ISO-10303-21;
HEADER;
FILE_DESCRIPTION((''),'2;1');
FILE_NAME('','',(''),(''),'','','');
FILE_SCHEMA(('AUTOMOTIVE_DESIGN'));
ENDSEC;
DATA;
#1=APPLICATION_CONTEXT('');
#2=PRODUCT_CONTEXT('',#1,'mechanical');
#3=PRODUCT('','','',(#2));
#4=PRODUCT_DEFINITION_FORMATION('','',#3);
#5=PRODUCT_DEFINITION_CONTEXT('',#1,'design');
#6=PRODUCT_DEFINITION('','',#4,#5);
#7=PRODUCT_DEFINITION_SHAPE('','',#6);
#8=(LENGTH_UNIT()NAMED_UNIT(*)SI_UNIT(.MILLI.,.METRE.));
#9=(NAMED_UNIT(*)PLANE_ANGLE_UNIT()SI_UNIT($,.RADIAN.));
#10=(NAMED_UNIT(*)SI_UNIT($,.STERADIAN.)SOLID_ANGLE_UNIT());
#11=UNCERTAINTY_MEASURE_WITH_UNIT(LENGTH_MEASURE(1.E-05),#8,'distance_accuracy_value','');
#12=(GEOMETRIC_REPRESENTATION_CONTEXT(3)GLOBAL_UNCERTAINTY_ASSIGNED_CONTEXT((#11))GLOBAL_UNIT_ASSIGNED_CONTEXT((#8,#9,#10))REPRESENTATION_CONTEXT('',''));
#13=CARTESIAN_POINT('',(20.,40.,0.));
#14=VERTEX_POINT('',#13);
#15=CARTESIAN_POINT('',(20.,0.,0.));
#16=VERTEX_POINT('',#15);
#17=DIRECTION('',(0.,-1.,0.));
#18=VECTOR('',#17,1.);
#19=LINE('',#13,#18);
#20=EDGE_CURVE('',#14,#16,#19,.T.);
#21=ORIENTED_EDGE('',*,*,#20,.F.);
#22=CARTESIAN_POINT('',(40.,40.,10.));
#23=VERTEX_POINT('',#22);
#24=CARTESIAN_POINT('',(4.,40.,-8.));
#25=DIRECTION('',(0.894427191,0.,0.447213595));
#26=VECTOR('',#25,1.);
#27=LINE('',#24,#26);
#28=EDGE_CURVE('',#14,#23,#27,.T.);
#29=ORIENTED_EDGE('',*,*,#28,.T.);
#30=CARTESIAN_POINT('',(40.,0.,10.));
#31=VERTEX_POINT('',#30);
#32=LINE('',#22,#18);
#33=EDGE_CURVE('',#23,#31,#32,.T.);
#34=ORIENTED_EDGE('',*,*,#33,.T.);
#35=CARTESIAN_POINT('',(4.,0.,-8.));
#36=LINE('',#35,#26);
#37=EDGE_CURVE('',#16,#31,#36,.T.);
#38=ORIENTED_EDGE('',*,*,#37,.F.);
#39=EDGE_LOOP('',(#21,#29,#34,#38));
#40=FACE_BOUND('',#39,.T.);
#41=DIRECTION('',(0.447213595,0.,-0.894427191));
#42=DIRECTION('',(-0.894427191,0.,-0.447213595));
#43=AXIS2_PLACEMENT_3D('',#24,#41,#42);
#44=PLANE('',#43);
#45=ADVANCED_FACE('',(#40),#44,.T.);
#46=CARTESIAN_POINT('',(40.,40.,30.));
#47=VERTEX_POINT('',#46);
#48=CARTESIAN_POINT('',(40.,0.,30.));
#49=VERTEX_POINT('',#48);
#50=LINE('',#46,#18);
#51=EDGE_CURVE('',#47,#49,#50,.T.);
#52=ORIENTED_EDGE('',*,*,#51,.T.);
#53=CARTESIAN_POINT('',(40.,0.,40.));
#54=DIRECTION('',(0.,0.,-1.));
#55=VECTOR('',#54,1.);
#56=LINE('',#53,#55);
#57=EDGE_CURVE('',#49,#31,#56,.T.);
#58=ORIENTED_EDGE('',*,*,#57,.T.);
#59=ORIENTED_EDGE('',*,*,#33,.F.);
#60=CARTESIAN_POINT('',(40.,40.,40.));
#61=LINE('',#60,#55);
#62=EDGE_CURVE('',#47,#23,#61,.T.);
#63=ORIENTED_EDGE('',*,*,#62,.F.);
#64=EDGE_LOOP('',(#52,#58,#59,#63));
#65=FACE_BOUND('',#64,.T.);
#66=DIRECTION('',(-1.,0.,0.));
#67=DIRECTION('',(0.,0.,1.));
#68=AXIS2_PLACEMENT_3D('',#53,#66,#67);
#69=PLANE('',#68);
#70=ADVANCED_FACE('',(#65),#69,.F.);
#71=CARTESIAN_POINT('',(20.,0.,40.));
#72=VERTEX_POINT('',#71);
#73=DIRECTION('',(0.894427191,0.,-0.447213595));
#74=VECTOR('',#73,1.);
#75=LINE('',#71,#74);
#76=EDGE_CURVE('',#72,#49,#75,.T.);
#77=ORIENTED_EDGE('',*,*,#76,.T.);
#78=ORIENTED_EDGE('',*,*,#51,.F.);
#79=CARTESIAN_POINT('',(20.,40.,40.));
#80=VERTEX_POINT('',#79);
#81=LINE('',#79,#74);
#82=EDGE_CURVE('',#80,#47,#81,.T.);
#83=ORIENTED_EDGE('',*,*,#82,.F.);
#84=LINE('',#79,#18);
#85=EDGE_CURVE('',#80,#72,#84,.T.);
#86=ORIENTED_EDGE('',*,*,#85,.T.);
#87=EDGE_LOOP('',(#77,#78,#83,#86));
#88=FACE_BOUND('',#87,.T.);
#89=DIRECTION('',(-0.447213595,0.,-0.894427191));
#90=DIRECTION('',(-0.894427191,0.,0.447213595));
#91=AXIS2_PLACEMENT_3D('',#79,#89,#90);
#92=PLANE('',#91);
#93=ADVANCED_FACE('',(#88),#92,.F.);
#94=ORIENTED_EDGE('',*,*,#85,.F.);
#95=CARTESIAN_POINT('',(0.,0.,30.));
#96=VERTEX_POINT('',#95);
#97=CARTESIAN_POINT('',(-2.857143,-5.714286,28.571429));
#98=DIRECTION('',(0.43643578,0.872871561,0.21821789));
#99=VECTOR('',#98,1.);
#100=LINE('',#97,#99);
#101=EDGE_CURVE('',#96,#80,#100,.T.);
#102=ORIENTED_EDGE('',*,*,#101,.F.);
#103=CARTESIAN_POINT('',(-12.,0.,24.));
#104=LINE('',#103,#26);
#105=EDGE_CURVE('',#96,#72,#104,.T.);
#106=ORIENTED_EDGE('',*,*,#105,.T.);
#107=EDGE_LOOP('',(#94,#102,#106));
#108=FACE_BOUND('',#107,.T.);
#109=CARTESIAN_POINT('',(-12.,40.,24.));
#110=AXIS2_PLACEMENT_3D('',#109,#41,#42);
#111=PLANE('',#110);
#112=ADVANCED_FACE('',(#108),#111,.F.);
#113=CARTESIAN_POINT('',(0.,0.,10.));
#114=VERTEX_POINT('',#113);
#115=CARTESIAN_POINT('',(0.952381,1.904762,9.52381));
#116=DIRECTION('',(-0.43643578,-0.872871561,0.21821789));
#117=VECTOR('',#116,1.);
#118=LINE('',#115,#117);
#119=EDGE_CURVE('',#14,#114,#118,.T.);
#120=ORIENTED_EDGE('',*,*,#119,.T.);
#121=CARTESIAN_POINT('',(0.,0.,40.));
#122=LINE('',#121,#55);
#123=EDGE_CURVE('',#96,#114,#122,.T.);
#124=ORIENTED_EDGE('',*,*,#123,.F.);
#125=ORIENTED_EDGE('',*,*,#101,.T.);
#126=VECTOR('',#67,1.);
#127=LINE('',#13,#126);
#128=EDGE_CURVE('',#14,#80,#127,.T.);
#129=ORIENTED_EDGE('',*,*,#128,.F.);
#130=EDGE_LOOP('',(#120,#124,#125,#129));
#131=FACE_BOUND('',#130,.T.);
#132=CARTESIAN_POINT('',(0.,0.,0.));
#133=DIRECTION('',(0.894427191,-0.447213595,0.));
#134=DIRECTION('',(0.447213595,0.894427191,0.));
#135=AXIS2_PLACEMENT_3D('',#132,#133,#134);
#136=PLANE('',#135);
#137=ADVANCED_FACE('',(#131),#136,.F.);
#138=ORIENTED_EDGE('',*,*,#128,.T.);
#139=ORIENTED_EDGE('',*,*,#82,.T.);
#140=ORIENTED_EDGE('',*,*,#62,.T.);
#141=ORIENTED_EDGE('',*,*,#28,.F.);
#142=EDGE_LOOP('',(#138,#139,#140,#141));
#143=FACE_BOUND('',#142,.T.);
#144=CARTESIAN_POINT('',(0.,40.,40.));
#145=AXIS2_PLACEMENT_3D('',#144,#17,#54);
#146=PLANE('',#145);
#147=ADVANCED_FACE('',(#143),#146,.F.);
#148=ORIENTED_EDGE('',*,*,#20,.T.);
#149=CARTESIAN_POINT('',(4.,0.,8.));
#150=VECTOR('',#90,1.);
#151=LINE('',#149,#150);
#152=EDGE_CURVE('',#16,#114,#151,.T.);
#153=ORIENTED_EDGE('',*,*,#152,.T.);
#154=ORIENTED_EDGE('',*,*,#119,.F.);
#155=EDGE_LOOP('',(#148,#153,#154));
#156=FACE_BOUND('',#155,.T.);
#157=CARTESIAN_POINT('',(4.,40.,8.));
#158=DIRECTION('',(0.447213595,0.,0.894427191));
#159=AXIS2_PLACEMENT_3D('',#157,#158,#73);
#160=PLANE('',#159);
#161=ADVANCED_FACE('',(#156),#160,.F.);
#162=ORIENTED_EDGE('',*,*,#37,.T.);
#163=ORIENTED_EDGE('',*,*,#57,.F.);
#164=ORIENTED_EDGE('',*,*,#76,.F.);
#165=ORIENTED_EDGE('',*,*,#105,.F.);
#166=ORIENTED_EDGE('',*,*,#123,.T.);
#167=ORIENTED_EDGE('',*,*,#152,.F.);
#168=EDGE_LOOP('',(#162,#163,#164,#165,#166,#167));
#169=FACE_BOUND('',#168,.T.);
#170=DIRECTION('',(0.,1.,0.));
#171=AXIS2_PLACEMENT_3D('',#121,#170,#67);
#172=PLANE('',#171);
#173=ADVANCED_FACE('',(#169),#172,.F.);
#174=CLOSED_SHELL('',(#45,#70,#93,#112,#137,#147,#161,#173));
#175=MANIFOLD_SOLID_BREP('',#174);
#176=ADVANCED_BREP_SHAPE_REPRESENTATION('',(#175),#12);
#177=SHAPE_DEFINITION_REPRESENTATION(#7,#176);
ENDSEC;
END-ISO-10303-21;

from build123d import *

# Parameters (mm, degrees)
SKETCH1_W           = 40
SKETCH1_H           = 40
BOSS_EXTRUDE1_DEPTH = 40
CUT_EXTRUDE1_DEPTH  = 40
CUT_EXTRUDE2_DEPTH  = 40


with BuildPart() as part:
    # Sketch1 → Boss-Extrude1 (new body)
    with BuildSketch(Plane.XY):
        with Locations((20, 20)):
            Rectangle(SKETCH1_W, SKETCH1_H)
    extrude(amount=BOSS_EXTRUDE1_DEPTH)

    # Sketch2 → Cut-Extrude1 (cut)
    with BuildSketch(Plane.XY.offset(40)):
        Polygon((0, 0), (20, 40), (0, 40), align=None)
    extrude(amount=-CUT_EXTRUDE1_DEPTH, mode=Mode.SUBTRACT)

    # Sketch3 → Cut-Extrude2 (cut)
    with BuildSketch(Plane.XZ):
        Polygon((0, 40), (0, 30), (20, 40), align=None)
        Polygon((0, 0), (20, 0), (0, 10), align=None)
        Polygon((20, 40), (40, 30), (40, 40), align=None)
        Polygon((40, 10), (20, 0), (40, 0), align=None)
    extrude(amount=-CUT_EXTRUDE2_DEPTH, mode=Mode.SUBTRACT)


solid = part.part
